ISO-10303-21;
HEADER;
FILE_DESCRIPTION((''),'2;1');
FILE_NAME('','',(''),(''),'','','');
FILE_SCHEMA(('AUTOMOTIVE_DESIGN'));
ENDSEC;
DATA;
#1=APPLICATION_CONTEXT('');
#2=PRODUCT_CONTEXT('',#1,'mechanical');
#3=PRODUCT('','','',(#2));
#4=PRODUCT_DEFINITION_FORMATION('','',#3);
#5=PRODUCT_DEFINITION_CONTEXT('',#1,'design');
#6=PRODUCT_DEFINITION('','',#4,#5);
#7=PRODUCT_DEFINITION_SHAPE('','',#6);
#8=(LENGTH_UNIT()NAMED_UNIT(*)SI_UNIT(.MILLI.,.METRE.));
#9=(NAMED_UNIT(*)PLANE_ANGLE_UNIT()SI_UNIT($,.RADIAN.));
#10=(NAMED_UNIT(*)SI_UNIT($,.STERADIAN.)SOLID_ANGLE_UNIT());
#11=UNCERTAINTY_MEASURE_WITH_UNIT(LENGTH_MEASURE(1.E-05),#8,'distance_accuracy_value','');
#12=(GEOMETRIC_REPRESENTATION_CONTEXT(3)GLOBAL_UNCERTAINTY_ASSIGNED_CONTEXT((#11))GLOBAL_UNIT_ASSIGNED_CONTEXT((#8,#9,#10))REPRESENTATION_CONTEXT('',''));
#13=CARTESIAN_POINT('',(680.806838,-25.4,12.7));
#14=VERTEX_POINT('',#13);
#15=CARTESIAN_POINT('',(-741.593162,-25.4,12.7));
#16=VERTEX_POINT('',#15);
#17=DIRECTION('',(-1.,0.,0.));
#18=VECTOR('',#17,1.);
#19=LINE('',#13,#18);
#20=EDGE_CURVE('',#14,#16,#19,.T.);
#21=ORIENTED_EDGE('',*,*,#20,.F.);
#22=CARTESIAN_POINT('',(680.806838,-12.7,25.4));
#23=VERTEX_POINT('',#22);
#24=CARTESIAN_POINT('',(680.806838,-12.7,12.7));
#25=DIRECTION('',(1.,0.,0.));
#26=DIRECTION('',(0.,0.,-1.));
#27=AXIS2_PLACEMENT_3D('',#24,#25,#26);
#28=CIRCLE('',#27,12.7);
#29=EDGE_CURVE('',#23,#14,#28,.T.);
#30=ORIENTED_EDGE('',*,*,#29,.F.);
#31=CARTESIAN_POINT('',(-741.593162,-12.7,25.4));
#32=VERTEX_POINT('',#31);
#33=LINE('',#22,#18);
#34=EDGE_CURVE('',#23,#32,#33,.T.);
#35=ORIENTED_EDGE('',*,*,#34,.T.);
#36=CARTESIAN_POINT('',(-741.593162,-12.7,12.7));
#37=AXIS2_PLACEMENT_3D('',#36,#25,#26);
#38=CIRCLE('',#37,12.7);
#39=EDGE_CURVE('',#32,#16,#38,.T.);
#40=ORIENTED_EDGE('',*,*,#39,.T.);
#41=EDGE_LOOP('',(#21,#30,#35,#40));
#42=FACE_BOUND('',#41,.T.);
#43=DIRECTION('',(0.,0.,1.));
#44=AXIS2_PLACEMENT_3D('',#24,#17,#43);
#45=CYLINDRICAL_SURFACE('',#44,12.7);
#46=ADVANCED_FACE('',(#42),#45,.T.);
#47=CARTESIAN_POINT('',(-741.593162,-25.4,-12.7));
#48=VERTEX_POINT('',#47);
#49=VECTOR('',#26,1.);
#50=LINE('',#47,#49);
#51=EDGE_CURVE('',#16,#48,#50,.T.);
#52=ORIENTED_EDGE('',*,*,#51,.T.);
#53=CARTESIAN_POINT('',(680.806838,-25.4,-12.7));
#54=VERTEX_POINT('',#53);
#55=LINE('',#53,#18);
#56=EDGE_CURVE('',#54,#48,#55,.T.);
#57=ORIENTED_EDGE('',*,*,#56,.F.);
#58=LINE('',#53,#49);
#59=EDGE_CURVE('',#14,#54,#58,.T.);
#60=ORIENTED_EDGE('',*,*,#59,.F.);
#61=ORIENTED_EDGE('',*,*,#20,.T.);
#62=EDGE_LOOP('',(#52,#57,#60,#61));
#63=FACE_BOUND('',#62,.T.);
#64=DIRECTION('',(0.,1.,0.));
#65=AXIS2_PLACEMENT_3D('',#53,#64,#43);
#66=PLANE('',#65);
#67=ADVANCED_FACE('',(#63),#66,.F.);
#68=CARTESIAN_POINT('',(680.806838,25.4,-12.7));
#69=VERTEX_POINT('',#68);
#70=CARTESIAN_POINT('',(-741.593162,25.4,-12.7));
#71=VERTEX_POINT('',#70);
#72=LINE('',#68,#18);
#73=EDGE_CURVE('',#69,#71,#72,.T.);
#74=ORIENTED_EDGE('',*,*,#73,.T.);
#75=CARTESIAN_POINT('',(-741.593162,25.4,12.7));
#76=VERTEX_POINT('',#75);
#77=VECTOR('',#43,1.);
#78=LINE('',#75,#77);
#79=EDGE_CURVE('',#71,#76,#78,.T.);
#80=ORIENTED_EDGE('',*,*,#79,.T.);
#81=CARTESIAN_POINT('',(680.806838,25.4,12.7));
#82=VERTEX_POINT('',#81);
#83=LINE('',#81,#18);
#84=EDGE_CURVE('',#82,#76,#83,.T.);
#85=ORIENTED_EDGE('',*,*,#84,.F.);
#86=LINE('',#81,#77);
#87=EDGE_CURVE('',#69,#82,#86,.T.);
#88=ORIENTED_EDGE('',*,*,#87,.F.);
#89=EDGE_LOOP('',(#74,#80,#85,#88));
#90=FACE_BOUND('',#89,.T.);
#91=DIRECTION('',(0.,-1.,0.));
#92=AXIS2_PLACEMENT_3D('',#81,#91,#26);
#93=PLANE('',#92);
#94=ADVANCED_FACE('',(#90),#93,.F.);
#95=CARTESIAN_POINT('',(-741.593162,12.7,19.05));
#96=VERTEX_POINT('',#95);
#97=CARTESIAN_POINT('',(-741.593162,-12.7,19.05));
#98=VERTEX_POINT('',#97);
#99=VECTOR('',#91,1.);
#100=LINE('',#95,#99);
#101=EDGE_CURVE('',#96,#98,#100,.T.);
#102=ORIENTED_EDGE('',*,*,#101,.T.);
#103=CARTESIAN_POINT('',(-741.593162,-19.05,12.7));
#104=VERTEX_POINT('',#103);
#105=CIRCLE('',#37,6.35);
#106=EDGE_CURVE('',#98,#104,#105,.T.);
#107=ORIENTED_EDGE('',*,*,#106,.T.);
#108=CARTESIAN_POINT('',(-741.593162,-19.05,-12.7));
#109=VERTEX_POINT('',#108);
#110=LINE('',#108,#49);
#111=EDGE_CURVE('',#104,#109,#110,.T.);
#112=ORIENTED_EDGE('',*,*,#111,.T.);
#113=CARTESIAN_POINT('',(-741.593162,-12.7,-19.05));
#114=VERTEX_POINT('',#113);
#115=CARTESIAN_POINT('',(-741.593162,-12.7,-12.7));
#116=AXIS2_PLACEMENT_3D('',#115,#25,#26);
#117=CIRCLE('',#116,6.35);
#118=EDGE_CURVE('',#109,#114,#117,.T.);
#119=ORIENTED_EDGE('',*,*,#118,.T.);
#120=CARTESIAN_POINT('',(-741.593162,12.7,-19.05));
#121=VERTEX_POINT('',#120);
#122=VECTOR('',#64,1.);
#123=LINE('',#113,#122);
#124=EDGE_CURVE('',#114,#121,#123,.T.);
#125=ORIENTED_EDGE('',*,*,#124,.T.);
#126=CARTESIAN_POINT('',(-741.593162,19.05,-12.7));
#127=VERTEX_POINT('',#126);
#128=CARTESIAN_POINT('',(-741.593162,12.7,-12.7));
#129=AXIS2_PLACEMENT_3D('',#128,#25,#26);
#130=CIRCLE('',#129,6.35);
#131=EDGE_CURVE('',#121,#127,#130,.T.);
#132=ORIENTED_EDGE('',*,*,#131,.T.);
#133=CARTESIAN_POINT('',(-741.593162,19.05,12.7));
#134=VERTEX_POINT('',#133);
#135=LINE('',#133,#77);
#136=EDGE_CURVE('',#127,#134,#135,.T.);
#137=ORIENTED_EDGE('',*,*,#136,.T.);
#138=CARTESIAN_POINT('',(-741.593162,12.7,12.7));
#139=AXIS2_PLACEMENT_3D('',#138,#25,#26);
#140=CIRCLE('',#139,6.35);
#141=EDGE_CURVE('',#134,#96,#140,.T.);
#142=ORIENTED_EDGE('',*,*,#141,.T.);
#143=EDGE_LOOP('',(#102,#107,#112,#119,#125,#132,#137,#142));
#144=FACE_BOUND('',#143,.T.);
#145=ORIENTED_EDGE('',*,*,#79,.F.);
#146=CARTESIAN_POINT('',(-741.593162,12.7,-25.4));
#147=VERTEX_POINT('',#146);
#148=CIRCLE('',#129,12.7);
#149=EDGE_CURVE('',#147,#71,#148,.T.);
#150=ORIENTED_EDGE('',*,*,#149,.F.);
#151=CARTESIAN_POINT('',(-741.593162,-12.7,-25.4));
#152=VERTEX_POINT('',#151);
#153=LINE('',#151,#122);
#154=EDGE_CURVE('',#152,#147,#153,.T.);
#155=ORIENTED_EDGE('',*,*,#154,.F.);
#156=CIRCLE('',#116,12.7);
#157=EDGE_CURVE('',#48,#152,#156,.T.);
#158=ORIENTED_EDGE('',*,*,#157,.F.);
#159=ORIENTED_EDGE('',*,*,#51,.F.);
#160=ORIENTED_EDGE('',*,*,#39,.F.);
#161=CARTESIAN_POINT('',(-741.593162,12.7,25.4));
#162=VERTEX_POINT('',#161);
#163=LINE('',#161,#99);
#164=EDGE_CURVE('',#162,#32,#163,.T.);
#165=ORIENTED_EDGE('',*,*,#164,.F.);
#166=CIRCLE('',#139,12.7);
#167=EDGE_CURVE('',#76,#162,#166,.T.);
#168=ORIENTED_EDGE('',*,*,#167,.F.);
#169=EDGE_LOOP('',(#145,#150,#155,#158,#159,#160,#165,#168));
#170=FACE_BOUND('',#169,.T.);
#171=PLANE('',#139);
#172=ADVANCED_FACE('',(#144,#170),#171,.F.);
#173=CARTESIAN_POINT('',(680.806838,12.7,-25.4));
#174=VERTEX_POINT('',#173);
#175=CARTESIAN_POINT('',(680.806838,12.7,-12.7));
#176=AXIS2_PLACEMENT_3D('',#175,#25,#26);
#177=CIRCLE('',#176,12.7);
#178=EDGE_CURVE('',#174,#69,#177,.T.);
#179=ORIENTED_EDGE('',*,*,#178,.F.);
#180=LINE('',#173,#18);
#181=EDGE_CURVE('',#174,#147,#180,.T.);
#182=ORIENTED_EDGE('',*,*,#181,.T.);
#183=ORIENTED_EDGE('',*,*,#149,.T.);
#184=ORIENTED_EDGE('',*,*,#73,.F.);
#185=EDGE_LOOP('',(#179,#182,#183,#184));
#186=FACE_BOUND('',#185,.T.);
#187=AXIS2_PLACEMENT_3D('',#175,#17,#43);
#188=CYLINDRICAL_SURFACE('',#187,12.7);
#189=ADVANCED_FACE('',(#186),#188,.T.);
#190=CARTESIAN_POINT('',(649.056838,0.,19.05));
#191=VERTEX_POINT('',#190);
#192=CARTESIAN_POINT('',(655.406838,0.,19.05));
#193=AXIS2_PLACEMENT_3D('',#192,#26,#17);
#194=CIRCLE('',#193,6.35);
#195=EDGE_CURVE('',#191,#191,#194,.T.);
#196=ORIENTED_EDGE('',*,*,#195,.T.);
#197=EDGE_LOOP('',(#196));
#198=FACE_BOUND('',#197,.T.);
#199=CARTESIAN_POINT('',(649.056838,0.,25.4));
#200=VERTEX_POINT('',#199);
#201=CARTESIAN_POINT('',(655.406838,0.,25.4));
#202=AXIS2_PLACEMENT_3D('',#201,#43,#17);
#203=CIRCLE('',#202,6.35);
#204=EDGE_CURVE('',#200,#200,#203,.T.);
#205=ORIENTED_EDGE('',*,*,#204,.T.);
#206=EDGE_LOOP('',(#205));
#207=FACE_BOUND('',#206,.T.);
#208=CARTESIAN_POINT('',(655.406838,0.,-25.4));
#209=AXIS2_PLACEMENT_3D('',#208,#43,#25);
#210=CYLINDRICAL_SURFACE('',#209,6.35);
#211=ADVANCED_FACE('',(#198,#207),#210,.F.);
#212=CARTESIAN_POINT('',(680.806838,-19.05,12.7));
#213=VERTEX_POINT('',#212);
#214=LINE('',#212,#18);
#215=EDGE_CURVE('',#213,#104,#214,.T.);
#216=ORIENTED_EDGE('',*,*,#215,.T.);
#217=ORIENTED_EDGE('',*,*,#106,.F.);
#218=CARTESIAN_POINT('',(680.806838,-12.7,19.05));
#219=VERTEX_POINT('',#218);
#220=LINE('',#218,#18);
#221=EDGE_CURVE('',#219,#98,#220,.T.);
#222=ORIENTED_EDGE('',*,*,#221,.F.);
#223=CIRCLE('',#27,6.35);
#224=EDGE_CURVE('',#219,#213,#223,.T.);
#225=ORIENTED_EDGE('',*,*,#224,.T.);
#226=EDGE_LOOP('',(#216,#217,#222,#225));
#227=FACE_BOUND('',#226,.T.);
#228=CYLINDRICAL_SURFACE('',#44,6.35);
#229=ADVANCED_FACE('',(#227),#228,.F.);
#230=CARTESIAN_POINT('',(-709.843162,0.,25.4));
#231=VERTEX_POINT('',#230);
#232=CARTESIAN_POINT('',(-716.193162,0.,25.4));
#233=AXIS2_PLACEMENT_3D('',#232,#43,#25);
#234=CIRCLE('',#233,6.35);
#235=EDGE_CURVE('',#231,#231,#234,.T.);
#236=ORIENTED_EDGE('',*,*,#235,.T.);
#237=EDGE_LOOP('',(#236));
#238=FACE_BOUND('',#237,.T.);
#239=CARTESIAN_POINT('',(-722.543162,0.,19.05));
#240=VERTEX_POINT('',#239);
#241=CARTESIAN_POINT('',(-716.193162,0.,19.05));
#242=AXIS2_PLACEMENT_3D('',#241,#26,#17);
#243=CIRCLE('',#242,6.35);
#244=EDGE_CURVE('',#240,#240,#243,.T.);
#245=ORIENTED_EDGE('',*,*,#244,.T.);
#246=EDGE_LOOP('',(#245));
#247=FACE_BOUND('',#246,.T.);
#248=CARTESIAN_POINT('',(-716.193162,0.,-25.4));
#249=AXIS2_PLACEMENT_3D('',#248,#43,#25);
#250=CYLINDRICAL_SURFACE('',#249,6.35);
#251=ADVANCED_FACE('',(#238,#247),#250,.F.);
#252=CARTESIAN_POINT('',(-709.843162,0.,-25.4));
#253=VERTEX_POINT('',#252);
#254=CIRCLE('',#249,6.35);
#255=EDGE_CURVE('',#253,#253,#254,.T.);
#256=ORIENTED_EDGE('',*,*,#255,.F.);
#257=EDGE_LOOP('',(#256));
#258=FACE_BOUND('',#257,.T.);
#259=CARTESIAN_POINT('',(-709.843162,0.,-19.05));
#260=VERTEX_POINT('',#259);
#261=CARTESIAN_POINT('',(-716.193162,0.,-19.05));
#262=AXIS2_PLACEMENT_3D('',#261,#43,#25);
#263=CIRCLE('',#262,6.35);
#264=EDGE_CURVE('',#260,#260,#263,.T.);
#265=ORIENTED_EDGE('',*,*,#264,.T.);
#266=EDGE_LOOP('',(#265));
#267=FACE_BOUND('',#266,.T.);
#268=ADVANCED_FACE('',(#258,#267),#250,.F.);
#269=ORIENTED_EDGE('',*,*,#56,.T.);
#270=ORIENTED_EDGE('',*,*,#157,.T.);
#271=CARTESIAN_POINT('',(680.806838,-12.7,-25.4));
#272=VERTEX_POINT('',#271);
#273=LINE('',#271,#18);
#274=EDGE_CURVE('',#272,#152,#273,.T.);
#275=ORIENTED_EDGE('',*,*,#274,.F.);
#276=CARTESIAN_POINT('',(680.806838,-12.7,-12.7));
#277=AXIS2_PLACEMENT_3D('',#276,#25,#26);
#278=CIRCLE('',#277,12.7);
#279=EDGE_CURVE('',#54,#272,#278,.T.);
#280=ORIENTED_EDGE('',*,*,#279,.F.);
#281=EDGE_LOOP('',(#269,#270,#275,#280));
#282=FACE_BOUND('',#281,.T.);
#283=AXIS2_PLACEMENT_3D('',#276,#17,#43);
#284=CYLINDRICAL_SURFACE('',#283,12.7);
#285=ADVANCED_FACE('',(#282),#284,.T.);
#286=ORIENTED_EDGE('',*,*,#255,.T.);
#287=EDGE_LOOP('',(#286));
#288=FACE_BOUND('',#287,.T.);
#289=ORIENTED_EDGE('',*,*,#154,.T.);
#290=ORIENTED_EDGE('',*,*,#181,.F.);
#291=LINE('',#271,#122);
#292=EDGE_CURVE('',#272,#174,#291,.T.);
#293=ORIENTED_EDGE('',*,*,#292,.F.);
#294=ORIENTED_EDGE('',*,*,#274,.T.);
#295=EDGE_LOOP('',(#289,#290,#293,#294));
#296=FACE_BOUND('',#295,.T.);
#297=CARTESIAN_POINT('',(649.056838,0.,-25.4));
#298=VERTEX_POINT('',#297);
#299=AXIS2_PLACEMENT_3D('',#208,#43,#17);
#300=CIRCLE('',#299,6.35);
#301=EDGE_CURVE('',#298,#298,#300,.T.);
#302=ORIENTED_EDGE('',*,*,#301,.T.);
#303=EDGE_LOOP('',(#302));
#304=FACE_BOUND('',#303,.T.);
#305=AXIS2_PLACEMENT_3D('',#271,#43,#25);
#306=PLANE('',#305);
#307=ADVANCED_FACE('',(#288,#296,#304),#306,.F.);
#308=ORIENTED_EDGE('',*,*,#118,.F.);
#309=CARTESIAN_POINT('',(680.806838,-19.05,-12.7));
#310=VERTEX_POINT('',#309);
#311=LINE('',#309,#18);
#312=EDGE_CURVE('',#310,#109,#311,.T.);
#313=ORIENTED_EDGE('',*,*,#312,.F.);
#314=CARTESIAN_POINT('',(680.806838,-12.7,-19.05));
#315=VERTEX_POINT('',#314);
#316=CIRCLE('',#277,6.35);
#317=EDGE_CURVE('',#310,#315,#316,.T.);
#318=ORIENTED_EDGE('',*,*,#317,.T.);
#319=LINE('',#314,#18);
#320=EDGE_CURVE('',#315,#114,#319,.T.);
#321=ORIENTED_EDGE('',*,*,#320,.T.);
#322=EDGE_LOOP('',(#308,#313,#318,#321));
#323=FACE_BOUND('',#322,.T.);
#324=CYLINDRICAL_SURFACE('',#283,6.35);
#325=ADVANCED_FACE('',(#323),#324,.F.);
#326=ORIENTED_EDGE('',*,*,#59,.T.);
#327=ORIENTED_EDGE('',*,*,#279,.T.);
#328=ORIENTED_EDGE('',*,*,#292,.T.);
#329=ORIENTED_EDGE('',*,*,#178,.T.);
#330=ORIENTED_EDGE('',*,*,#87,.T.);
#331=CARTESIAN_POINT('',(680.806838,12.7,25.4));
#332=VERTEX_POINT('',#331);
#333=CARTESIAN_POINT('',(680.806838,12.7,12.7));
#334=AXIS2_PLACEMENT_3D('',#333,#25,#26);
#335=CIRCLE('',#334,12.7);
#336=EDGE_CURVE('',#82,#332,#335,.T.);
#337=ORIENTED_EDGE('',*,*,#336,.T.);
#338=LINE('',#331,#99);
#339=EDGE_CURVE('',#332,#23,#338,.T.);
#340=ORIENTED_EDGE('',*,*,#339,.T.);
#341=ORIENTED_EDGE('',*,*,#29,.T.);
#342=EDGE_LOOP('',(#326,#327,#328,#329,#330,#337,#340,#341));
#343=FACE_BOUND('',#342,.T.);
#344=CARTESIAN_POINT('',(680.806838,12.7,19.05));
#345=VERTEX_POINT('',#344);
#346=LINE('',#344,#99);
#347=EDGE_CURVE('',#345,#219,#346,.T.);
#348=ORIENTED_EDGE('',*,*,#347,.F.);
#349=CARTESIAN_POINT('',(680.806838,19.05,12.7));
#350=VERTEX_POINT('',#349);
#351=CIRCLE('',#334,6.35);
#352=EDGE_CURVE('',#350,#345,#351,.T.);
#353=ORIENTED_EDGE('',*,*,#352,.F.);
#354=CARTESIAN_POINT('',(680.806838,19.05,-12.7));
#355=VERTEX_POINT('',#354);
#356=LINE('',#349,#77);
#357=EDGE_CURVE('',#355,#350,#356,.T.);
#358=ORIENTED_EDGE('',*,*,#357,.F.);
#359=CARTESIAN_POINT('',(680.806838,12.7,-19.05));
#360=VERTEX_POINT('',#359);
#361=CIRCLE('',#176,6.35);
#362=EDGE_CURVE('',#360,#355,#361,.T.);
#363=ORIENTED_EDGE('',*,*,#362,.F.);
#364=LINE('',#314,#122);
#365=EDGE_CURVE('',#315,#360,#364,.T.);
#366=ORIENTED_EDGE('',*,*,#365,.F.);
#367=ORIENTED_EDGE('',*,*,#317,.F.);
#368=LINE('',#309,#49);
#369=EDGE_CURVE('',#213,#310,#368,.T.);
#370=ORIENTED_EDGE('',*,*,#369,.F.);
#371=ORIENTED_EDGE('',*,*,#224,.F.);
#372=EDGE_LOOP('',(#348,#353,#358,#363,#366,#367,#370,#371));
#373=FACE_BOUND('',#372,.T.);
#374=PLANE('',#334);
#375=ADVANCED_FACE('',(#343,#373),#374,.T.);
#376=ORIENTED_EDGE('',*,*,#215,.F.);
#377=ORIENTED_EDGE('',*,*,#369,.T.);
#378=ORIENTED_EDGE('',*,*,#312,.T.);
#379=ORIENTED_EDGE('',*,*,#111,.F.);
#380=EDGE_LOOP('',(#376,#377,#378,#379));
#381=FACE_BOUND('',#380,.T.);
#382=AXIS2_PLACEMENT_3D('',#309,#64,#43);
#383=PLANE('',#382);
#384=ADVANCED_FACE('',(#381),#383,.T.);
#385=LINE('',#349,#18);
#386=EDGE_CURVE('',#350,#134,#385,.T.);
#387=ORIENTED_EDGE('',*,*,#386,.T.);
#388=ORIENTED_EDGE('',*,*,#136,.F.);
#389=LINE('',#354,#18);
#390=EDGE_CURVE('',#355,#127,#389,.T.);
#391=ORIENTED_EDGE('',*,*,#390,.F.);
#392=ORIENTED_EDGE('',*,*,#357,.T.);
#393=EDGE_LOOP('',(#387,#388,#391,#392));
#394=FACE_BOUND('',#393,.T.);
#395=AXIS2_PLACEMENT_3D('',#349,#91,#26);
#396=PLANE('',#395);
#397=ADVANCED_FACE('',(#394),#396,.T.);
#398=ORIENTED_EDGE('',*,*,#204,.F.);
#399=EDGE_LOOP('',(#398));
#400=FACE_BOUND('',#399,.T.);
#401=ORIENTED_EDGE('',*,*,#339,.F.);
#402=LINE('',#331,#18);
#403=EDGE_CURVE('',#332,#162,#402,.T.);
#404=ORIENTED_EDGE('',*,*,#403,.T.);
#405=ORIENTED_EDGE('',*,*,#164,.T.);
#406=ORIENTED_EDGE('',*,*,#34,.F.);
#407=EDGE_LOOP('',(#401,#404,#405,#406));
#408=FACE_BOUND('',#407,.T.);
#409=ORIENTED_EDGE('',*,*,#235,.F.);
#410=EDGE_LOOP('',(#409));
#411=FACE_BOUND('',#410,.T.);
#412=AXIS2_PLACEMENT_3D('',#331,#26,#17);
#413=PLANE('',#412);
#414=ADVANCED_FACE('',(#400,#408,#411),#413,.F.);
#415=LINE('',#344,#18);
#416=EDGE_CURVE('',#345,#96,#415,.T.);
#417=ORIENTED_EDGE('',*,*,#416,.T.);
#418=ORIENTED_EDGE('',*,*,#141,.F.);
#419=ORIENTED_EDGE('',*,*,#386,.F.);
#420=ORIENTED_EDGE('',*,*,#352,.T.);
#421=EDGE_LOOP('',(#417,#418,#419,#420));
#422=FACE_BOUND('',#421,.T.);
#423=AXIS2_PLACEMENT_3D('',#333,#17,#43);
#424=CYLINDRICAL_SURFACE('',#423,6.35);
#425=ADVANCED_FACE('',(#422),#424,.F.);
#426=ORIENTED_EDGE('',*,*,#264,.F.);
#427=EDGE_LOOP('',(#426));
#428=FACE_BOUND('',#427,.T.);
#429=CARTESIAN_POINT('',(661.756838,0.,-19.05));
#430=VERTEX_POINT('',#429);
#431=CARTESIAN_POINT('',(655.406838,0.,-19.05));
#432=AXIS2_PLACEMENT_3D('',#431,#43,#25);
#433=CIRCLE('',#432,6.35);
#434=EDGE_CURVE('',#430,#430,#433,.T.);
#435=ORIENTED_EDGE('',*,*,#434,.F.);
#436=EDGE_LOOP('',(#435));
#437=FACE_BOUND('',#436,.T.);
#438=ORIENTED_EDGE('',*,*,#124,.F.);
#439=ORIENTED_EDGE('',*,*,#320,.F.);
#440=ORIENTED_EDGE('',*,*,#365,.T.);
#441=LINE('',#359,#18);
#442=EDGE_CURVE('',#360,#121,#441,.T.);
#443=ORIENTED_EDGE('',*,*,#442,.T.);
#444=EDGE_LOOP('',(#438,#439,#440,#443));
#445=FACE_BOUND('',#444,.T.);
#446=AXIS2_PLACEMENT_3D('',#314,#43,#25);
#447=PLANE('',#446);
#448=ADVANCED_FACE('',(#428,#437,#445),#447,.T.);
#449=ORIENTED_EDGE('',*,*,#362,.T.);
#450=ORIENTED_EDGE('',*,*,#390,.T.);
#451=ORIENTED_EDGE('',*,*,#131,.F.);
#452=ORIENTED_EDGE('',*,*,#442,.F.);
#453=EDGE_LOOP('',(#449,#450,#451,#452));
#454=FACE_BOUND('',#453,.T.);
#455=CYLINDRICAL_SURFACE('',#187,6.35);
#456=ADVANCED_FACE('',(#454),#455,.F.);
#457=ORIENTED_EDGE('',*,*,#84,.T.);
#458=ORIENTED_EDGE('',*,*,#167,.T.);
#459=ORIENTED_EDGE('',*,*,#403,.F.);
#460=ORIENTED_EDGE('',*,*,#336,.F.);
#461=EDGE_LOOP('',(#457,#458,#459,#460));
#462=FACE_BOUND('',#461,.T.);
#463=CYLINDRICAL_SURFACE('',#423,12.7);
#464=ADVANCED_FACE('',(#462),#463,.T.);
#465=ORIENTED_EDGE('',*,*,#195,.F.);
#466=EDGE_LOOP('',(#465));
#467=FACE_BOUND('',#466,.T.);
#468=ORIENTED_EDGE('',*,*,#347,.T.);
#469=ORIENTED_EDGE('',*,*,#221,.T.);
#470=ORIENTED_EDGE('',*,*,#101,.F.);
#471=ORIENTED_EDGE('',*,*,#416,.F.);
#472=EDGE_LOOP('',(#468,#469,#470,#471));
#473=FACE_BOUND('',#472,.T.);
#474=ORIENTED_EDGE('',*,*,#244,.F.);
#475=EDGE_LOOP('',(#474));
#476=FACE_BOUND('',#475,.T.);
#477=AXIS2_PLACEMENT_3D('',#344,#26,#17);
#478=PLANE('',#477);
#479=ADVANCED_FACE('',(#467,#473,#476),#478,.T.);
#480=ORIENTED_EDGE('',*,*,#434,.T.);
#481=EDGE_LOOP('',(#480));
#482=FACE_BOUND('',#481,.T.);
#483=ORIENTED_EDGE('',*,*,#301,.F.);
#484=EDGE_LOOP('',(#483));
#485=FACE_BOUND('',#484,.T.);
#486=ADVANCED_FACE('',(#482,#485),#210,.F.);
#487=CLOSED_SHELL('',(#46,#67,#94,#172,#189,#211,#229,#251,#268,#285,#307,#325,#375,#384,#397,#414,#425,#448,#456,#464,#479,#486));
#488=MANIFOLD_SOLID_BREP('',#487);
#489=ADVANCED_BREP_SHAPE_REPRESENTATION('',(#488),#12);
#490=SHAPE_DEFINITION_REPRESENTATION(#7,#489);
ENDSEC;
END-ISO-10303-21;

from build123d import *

# Parameters (mm, degrees)
STRUCTURAL_MEMBER1_DEPTH = 1422.4
SKETCH12_R               = 6.35
CUT_EXTRUDE1_DEPTH       = 744.764894646


with BuildPart() as part:
    # Sketch11 → Structural Member1 (new body)
    with BuildSketch(Plane.YZ.offset(-741.593162393)):
        with BuildLine():
            Line((-12.7, -25.4), (12.7, -25.4))
            ThreePointArc((12.7, -25.4), (21.680256121, -21.680256121), (25.4, -12.7))
            Line((25.4, -12.7), (25.4, 12.7))
            ThreePointArc((25.4, 12.7), (21.680256121, 21.680256121), (12.7, 25.4))
            Line((12.7, 25.4), (-12.7, 25.4))
            ThreePointArc((-12.7, 25.4), (-21.680256121, 21.680256121), (-25.4, 12.7))
            Line((-25.4, 12.7), (-25.4, -12.7))
            ThreePointArc((-25.4, -12.7), (-21.680256121, -21.680256121), (-12.7, -25.4))
        make_face()
        with BuildLine():
            Line((-12.7, -19.05), (12.7, -19.05))
            ThreePointArc((12.7, -19.05), (17.190128061, -17.190128061), (19.05, -12.7))
            Line((19.05, -12.7), (19.05, 12.7))
            ThreePointArc((19.05, 12.7), (17.190128061, 17.190128061), (12.7, 19.05))
            Line((12.7, 19.05), (-12.7, 19.05))
            ThreePointArc((-12.7, 19.05), (-17.190128061, 17.190128061), (-19.05, 12.7))
            Line((-19.05, 12.7), (-19.05, -12.7))
            ThreePointArc((-19.05, -12.7), (-17.190128061, -17.190128061), (-12.7, -19.05))
        make_face(mode=Mode.SUBTRACT)
    extrude(amount=STRUCTURAL_MEMBER1_DEPTH)

    # Sketch12 → Cut-Extrude1 (cut, through all)
    with BuildSketch(Plane.XY.offset(25.4)):
        with Locations((-716.193162393, 0)):
            Circle(SKETCH12_R)
        with Locations((655.406837607, 0)):
            Circle(SKETCH12_R)
    extrude(amount=-CUT_EXTRUDE1_DEPTH, mode=Mode.SUBTRACT)


solid = part.part
